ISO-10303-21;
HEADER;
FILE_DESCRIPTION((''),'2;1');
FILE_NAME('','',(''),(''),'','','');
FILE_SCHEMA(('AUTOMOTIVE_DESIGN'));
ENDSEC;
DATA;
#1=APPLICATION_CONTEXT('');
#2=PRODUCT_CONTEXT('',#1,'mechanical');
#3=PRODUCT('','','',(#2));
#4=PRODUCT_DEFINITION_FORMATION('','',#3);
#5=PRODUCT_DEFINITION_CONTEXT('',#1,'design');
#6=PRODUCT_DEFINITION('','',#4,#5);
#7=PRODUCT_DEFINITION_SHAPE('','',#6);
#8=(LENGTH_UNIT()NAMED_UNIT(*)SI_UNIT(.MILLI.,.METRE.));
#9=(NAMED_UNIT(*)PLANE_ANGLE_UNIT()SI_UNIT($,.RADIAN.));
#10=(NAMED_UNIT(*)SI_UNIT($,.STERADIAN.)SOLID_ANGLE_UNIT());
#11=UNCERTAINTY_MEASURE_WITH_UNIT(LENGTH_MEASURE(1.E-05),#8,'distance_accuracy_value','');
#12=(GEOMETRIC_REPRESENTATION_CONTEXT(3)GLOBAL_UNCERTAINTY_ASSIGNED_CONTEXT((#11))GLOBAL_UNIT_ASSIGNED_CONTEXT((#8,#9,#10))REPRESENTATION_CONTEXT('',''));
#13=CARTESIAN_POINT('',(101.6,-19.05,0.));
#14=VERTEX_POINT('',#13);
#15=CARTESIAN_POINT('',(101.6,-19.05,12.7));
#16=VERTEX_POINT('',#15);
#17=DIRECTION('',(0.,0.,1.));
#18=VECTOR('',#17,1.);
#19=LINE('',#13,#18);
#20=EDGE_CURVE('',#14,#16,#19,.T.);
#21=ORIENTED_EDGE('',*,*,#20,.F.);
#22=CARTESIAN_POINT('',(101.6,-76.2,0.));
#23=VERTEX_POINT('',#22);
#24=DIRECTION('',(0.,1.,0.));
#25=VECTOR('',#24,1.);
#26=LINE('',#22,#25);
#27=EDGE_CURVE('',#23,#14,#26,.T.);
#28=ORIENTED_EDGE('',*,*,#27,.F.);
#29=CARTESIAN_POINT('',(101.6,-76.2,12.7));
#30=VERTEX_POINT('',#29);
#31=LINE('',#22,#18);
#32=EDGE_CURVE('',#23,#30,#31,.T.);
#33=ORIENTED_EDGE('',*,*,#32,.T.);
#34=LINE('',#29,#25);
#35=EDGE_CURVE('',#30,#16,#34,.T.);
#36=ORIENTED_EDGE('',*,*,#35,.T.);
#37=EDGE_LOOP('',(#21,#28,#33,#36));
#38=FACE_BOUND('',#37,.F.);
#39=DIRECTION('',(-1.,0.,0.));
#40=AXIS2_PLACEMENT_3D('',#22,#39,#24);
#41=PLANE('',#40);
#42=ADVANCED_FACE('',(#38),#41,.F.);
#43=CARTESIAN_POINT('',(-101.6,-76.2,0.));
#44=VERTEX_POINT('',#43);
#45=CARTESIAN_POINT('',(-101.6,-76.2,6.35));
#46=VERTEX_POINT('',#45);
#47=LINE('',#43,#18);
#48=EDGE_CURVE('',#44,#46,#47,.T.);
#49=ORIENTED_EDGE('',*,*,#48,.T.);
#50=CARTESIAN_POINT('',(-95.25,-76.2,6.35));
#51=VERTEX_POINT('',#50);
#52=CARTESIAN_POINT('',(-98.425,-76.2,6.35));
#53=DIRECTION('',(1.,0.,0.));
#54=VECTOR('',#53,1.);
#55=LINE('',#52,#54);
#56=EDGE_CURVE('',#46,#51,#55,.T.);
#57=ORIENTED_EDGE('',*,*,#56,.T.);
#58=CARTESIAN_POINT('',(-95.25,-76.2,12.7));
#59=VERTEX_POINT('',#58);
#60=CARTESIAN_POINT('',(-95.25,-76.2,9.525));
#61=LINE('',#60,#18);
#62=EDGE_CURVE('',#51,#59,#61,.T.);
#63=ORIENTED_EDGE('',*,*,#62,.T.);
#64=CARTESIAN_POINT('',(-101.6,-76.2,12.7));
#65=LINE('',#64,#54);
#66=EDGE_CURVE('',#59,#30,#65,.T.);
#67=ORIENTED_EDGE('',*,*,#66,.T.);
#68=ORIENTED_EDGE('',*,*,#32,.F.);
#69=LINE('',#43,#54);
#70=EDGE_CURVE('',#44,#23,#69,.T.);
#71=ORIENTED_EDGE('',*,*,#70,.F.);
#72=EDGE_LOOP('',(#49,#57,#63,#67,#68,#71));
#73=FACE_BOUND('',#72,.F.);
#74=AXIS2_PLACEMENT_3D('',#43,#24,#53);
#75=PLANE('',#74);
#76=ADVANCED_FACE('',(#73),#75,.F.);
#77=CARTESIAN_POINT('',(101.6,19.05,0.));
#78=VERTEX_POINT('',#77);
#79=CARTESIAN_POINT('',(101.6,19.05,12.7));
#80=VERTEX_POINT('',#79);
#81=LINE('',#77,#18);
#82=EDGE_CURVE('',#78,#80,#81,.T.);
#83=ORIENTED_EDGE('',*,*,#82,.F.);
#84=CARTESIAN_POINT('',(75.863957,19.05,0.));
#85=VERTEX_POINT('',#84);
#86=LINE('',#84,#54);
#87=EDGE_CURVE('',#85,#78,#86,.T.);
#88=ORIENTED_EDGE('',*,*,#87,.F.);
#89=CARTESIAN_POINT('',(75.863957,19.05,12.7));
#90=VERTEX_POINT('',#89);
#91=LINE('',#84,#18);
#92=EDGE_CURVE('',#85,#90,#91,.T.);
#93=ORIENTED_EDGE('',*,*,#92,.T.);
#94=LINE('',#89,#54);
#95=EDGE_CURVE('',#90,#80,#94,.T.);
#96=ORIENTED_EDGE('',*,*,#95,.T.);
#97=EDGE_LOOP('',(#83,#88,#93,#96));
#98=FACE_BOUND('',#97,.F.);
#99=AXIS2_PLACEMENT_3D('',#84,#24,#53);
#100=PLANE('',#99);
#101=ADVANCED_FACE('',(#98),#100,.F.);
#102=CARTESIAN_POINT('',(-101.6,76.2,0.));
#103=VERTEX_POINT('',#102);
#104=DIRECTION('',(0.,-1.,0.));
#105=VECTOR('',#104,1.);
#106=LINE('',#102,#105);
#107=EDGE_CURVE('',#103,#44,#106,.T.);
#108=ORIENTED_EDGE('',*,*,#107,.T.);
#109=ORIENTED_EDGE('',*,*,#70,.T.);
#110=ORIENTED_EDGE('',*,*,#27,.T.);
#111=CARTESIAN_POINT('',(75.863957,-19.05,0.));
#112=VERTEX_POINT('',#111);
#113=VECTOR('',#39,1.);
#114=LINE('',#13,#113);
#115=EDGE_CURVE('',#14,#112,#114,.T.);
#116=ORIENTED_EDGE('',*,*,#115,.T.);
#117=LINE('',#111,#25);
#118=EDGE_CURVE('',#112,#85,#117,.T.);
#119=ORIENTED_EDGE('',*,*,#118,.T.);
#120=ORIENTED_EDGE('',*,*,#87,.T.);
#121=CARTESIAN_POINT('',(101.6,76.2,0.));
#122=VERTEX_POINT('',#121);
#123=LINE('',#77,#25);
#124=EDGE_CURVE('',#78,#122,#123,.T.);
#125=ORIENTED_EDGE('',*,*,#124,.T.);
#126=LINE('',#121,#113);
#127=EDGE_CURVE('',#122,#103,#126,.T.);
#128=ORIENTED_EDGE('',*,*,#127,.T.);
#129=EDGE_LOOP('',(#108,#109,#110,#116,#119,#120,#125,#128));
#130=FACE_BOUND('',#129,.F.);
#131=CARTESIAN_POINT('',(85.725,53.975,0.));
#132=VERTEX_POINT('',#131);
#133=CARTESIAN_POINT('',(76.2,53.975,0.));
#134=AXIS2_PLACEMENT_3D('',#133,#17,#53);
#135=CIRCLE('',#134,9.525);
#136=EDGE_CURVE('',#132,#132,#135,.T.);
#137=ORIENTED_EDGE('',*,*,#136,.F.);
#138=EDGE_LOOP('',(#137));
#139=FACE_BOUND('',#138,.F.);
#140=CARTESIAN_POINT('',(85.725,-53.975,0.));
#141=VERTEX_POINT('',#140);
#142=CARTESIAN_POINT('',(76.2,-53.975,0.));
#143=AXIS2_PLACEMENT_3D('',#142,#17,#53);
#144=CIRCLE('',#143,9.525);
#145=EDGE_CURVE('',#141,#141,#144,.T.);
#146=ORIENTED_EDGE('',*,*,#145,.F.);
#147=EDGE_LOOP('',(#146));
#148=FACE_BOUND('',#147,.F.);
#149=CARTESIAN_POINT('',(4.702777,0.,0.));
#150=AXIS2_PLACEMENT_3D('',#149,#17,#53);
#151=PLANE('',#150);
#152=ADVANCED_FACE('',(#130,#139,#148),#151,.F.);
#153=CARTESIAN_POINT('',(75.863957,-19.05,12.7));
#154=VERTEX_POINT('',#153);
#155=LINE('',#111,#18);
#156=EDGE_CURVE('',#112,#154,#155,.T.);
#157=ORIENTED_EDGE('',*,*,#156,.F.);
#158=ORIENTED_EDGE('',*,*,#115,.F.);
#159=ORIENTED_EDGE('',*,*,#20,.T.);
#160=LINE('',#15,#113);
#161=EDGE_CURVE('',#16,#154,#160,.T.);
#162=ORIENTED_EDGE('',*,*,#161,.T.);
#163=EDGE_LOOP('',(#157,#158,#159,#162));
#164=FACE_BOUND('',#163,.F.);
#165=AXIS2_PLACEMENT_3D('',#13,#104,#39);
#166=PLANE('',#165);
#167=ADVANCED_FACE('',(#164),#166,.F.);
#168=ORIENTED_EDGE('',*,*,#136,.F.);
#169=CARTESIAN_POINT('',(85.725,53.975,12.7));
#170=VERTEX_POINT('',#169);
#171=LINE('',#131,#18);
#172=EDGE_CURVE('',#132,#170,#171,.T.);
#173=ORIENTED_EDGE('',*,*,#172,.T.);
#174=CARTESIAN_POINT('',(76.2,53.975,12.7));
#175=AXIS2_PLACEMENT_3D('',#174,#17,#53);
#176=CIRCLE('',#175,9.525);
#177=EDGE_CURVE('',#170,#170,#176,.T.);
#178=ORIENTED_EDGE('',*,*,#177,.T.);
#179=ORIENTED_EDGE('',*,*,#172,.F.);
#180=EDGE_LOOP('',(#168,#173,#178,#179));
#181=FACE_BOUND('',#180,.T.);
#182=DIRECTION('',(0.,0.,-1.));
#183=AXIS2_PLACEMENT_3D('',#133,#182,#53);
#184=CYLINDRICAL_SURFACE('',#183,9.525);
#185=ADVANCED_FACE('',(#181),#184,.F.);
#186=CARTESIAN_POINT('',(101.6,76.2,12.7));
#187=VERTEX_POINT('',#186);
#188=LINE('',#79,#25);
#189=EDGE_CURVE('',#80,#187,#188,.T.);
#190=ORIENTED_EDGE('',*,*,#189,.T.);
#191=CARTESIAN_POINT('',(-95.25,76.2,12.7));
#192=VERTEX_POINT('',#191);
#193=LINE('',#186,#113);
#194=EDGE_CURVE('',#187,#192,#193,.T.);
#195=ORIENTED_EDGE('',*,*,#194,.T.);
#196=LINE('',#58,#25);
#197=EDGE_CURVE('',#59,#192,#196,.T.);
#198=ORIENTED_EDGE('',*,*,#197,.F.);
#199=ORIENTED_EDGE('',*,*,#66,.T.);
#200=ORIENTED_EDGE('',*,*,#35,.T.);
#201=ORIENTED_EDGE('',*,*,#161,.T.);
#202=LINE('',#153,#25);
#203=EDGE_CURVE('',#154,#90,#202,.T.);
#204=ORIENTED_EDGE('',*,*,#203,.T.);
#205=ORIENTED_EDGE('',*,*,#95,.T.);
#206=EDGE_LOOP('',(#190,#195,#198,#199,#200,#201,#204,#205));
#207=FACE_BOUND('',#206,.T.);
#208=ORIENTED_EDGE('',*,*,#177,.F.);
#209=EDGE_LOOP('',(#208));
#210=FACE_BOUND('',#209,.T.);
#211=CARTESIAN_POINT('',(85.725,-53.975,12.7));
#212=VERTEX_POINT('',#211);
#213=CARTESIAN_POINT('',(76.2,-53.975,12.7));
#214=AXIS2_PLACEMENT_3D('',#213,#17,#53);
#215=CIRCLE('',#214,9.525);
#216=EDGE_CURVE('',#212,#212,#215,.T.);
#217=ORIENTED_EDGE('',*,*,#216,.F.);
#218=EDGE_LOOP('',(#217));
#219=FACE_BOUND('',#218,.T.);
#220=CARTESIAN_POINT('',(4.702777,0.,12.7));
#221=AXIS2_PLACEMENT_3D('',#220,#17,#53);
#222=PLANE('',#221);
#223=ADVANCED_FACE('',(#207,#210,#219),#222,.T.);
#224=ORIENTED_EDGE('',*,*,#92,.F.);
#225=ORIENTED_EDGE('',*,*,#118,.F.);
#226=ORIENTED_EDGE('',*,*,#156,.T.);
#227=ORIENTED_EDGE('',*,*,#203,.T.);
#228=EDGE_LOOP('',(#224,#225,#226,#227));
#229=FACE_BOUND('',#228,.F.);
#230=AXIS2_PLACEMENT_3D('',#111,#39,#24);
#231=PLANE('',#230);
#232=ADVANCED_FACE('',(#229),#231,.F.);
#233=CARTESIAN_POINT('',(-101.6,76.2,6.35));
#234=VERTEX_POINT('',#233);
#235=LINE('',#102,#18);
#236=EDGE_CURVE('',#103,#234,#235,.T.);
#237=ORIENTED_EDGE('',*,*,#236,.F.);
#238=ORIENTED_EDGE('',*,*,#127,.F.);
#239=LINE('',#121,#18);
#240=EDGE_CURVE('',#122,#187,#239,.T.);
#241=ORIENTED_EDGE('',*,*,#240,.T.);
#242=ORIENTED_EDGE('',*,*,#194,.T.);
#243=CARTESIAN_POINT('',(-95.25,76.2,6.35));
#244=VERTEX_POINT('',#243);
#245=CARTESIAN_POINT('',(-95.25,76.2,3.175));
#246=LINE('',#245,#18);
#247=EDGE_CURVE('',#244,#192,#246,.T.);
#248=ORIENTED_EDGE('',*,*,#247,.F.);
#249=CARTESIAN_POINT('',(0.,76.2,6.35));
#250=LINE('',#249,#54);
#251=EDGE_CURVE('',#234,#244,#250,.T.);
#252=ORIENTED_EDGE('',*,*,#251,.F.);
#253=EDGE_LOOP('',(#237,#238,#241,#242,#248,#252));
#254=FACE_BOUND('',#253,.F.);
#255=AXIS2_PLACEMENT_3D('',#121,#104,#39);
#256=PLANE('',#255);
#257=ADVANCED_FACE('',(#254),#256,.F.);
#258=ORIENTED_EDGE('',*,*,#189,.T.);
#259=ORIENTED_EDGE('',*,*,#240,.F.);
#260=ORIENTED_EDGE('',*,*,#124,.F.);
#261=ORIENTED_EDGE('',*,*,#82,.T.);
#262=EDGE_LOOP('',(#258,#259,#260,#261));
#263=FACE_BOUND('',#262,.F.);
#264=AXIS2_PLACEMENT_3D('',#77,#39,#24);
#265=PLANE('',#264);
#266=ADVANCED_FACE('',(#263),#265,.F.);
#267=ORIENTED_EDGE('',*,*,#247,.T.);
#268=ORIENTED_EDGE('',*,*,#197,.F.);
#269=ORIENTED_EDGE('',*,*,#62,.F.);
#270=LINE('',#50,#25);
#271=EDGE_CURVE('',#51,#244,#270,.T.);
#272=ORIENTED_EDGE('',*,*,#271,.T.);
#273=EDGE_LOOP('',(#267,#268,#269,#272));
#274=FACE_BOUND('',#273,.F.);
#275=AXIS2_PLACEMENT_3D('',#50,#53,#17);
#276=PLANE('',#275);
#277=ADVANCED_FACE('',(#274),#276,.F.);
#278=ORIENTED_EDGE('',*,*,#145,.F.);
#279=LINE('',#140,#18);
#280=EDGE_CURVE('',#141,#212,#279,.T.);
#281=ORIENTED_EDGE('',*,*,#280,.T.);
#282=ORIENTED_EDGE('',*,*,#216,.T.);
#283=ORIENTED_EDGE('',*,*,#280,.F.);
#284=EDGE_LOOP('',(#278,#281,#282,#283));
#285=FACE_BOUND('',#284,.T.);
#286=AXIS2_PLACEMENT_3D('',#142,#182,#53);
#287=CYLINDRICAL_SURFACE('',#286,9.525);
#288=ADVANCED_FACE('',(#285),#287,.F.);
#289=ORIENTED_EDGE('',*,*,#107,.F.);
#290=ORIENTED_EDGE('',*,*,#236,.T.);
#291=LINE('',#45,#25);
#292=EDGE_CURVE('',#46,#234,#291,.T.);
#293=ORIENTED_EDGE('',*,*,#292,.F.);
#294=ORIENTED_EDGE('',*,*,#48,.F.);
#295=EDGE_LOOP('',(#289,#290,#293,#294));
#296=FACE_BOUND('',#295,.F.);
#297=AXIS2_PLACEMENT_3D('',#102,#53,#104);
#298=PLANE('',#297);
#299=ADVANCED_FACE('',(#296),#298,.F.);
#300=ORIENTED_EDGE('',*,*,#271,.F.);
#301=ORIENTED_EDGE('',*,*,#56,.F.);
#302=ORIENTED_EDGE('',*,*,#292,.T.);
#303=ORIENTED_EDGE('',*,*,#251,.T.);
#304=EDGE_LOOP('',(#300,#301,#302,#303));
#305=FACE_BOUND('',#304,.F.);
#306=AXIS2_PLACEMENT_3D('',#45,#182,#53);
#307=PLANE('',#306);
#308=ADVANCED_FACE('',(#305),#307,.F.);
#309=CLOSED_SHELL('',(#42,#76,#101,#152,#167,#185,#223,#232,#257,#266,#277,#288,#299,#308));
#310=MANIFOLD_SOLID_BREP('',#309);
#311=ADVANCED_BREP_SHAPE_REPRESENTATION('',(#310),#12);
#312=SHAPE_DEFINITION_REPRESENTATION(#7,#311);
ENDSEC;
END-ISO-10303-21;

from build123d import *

# Parameters (mm, degrees)
F0_R     = 9.525
F1_DEPTH = 12.7
F2_W     = 6.35
F2_H     = 6.35
F3_DEPTH = 152.401


with BuildPart() as f1:
    # F0 (on Top) → F1 (new body)
    with BuildSketch(Plane.XY):
        Polygon((101.6, 76.2), (-101.6, 76.2), (-101.6, -76.2), (101.6, -76.2), (101.6, -19.05), (75.863957, -19.05), (75.863957, 19.05), (101.6, 19.05), align=None)
        with Locations((76.2, -53.975)):
            Circle(F0_R, mode=Mode.SUBTRACT)
        with Locations((76.2, 53.975)):
            Circle(F0_R, mode=Mode.SUBTRACT)
    extrude(amount=F1_DEPTH)

    # F2 (on face) → F3 (cut, through all)
    with BuildSketch(Plane.XZ.offset(76.2)):
        with Locations((-98.425, 9.525)):
            Rectangle(F2_W, F2_H)
    extrude(amount=-F3_DEPTH, mode=Mode.SUBTRACT)


solid = f1.part
